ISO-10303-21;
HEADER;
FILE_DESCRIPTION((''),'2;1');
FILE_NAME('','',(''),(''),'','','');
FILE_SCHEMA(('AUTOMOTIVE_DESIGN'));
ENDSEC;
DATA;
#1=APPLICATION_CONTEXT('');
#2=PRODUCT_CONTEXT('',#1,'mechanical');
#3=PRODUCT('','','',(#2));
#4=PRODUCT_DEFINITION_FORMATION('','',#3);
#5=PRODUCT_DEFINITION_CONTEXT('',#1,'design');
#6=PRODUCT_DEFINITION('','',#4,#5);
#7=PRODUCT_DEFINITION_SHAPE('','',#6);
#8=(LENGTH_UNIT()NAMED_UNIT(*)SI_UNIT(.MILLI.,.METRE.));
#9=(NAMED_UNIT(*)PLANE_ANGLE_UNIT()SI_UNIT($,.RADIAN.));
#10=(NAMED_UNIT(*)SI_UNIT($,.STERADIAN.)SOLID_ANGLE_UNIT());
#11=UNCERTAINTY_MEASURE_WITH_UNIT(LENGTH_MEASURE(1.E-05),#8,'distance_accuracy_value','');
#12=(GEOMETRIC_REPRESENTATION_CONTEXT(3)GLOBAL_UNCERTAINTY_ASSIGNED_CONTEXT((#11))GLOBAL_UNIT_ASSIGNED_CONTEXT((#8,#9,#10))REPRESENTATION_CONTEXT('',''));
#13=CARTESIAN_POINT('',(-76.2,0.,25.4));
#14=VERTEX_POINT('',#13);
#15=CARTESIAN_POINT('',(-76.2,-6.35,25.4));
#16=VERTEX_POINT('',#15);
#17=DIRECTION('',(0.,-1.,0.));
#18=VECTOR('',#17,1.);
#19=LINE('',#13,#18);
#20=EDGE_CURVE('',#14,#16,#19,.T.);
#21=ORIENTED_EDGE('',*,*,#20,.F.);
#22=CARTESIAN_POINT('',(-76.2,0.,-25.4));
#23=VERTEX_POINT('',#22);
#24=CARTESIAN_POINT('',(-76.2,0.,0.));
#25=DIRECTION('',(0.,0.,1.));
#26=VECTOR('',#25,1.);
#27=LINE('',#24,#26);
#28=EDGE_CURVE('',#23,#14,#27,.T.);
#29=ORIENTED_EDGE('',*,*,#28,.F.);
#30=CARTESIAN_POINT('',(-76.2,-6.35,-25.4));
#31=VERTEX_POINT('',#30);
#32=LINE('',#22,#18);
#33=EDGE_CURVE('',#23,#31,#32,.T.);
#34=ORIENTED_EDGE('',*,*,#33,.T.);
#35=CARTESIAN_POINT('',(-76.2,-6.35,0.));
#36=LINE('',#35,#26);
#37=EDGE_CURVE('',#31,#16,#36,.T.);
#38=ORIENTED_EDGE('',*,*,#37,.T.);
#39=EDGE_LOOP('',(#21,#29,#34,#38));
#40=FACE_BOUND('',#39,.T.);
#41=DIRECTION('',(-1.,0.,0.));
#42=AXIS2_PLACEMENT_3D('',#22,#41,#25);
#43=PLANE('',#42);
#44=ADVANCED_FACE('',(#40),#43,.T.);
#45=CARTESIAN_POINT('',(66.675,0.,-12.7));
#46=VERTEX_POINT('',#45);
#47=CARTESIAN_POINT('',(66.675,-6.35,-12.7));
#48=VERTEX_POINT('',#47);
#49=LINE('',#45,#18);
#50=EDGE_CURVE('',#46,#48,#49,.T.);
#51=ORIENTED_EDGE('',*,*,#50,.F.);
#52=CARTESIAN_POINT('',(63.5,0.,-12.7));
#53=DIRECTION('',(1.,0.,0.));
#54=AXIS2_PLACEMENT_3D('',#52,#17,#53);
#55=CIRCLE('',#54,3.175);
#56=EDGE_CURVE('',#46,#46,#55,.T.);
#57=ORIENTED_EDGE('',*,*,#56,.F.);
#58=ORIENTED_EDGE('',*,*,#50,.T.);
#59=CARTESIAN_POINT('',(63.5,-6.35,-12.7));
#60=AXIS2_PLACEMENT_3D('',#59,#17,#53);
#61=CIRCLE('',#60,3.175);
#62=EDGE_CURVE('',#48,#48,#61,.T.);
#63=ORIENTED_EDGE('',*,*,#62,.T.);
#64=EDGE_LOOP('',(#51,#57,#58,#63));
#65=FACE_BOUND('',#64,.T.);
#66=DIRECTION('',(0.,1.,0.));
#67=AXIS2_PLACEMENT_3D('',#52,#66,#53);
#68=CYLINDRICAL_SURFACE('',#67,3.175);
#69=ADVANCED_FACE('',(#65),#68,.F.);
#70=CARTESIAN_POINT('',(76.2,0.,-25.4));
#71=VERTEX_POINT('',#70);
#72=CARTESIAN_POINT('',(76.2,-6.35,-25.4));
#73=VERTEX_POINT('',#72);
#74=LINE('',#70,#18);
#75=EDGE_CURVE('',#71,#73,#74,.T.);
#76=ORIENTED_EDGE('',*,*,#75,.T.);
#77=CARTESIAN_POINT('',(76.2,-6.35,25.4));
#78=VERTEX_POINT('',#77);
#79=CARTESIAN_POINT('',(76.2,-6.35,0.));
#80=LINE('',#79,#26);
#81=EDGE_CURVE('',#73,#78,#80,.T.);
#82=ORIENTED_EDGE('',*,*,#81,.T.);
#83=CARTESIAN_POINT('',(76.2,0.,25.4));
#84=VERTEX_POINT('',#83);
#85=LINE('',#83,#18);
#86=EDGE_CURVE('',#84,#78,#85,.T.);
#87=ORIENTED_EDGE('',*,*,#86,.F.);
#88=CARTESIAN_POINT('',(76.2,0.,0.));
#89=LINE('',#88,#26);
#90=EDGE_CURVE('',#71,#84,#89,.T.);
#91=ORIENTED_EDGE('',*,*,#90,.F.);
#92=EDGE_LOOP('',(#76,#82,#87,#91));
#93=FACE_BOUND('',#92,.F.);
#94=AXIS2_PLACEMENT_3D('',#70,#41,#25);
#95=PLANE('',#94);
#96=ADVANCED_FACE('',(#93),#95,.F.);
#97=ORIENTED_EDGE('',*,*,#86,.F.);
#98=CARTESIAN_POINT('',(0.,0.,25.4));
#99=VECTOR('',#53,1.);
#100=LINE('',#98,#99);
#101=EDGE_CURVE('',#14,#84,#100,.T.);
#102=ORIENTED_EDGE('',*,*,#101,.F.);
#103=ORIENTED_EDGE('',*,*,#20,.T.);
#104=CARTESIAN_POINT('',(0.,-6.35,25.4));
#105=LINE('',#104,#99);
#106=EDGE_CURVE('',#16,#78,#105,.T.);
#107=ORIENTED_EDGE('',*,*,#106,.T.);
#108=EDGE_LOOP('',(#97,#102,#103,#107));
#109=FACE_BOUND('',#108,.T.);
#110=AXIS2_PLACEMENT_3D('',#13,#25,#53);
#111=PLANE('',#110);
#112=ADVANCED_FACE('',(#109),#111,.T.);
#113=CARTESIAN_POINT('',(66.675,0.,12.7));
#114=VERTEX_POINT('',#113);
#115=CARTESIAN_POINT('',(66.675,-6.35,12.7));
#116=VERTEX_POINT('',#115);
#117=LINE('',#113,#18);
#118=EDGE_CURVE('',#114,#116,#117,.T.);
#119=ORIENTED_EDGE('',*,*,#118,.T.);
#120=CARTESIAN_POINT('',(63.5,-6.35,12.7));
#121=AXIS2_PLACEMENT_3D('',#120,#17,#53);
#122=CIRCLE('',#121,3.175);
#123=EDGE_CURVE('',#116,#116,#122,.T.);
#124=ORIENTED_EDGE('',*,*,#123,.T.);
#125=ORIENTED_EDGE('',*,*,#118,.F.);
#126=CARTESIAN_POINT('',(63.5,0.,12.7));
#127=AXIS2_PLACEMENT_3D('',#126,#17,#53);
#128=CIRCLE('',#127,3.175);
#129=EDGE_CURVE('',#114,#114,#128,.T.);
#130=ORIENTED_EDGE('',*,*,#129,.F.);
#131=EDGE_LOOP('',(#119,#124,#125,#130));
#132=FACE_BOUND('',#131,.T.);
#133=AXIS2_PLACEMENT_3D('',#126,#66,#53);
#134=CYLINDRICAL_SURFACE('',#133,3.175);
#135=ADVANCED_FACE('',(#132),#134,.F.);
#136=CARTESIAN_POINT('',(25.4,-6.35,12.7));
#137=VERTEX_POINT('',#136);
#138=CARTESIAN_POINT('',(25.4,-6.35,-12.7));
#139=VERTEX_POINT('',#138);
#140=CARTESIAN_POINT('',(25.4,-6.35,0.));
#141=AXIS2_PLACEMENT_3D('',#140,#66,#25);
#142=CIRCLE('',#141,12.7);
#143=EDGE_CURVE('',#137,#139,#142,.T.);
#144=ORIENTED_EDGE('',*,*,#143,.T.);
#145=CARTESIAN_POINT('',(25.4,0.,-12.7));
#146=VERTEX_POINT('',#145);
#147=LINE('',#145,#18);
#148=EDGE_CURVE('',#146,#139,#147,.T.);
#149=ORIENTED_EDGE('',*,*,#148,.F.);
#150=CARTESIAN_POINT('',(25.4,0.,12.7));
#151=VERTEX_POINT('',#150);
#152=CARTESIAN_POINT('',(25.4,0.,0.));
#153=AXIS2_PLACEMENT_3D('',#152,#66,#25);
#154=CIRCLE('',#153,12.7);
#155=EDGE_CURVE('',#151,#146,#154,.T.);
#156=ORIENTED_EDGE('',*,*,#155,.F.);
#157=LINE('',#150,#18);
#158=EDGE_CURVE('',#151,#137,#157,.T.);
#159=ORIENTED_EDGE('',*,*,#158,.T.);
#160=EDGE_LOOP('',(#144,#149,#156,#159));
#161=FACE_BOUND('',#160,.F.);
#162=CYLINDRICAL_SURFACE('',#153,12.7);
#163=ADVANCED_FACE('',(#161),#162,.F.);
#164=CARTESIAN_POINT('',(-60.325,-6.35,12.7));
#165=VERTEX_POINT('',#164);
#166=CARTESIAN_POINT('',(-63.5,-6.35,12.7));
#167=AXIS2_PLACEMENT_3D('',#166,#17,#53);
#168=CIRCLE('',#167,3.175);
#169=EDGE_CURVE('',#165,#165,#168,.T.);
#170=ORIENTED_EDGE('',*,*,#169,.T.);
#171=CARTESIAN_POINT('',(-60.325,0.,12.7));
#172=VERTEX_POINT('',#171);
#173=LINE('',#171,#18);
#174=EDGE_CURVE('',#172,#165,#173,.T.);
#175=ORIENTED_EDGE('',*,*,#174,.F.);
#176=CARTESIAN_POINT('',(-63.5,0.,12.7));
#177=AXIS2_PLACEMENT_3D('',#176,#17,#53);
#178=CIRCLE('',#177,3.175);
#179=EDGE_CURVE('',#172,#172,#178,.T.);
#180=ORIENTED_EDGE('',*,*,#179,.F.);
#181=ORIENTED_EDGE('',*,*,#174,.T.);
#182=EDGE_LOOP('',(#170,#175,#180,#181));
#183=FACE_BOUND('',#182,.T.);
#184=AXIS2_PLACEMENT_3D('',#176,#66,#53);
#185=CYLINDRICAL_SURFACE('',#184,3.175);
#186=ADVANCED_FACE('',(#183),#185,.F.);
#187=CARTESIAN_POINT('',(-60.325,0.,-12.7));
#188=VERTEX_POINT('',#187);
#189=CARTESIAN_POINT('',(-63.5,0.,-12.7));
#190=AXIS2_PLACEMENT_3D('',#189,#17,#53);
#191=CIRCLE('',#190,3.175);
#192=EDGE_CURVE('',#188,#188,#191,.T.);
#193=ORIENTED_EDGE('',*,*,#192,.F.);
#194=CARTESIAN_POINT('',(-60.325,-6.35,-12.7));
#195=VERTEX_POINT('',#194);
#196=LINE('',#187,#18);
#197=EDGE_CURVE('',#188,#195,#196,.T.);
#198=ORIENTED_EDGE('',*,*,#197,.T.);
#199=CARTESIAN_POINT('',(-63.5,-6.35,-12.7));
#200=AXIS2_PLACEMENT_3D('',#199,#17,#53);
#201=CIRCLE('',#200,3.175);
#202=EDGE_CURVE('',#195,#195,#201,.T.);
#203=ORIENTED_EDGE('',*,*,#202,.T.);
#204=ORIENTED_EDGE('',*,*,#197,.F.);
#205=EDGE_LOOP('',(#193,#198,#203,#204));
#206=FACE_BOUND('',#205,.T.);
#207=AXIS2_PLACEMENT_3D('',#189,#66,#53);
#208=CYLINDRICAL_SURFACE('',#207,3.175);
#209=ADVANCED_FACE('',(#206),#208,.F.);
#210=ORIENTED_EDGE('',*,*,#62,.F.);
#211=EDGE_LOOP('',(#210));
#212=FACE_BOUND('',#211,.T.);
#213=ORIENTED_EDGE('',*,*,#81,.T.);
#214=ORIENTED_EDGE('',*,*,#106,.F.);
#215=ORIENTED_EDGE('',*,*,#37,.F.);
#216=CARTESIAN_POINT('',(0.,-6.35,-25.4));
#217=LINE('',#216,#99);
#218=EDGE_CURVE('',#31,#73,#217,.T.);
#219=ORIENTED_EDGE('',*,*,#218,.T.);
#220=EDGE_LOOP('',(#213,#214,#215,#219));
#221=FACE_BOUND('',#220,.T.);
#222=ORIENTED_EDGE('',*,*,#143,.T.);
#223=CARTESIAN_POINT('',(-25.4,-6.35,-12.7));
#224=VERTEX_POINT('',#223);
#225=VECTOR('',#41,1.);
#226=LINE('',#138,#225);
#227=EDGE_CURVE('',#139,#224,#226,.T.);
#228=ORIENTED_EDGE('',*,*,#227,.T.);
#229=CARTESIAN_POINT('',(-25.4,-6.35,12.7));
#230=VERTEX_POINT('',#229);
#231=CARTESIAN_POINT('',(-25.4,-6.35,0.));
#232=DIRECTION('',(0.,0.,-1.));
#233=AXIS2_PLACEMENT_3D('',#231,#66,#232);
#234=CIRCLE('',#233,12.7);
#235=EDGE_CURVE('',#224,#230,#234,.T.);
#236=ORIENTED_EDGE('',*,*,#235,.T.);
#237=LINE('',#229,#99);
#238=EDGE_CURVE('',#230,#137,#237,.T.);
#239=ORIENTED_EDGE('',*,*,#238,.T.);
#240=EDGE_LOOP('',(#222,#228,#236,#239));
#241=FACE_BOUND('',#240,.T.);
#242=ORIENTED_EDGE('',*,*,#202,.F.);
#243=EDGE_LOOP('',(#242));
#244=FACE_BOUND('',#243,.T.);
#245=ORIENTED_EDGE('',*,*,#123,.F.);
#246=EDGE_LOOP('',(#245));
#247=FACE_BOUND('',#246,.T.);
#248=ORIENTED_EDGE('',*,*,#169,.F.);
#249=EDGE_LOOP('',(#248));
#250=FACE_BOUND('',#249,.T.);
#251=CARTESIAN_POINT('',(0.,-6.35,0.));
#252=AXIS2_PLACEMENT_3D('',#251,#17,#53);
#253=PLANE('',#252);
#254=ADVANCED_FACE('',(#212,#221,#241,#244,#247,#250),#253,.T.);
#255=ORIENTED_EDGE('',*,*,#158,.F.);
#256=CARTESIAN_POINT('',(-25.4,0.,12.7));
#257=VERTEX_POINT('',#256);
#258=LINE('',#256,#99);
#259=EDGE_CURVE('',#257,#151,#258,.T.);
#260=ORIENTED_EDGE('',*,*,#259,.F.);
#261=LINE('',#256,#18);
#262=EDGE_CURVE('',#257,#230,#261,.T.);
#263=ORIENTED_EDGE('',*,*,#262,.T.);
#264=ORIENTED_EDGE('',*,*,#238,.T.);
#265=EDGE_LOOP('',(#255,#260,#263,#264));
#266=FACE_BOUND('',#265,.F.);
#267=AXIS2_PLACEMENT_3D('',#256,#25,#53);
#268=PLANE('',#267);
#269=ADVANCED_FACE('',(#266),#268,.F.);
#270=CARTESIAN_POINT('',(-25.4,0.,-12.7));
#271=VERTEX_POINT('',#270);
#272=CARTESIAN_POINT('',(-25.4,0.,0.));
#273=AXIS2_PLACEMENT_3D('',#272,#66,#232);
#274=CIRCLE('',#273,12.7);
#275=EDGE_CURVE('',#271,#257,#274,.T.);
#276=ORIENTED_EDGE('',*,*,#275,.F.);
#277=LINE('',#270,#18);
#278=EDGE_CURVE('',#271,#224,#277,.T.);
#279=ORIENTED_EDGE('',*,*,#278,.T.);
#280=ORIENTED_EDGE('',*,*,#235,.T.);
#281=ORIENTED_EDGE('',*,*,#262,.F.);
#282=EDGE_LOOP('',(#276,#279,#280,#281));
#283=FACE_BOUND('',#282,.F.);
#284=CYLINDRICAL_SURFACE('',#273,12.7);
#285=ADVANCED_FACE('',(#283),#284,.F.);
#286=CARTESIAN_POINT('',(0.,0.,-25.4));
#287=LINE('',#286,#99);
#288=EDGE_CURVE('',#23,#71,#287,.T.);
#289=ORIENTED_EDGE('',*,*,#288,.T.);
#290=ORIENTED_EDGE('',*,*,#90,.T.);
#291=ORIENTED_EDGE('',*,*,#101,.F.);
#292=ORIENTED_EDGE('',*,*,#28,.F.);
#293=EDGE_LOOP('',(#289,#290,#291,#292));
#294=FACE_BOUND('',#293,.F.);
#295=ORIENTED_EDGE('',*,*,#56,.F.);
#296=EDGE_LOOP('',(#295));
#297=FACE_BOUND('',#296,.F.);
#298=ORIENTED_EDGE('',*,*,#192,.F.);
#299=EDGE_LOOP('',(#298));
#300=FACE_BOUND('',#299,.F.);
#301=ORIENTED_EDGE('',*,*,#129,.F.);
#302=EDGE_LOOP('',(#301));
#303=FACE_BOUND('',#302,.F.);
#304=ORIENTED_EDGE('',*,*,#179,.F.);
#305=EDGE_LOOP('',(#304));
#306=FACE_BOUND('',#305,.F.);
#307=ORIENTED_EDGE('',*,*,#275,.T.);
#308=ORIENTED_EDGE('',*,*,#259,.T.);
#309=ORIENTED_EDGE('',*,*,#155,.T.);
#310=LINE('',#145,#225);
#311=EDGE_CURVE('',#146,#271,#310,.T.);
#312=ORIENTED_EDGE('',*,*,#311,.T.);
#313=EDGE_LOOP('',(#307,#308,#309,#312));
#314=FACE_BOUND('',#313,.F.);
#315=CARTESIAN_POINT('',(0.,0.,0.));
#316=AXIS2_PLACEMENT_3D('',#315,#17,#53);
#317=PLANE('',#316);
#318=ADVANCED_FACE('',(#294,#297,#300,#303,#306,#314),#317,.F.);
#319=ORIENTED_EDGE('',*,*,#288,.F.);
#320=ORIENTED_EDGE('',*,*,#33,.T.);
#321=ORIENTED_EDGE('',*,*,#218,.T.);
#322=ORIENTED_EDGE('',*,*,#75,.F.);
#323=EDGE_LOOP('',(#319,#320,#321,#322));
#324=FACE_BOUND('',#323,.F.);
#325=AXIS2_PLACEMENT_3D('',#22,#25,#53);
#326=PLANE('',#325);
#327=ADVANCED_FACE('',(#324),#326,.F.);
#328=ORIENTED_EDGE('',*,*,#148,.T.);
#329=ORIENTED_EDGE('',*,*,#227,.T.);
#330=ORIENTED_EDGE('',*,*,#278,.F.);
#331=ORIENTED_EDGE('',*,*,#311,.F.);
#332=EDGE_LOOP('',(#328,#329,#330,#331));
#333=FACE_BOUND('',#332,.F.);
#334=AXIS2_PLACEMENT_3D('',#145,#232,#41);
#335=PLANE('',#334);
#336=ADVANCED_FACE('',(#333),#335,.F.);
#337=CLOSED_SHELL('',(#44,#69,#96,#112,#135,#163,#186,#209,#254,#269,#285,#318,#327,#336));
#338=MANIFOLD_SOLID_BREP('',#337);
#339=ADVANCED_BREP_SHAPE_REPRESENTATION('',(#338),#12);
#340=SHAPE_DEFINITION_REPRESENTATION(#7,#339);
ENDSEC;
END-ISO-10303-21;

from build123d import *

# Parameters (mm, degrees)
F0_W     = 152.4
F0_H     = 50.8
F0_R     = 3.175
F1_DEPTH = 6.35


with BuildPart() as f1:
    # F0 (on Front) → F1 (new body)
    with BuildSketch(Plane.XZ):
        Rectangle(F0_W, F0_H)
        with Locations((-63.5, -12.7)):
            Circle(F0_R, mode=Mode.SUBTRACT)
        with Locations((63.5, -12.7)):
            Circle(F0_R, mode=Mode.SUBTRACT)
        with BuildLine():
            Line((25.4, -12.7), (-25.4, -12.7))
            ThreePointArc((-25.4, -12.7), (-38.1, 0), (-25.4, 12.7))
            Line((-25.4, 12.7), (25.4, 12.7))
            ThreePointArc((25.4, 12.7), (38.1, 0), (25.4, -12.7))
        make_face(mode=Mode.SUBTRACT)
        with Locations((-63.5, 12.7)):
            Circle(F0_R, mode=Mode.SUBTRACT)
        with Locations((63.5, 12.7)):
            Circle(F0_R, mode=Mode.SUBTRACT)
    extrude(amount=F1_DEPTH)


solid = f1.part
